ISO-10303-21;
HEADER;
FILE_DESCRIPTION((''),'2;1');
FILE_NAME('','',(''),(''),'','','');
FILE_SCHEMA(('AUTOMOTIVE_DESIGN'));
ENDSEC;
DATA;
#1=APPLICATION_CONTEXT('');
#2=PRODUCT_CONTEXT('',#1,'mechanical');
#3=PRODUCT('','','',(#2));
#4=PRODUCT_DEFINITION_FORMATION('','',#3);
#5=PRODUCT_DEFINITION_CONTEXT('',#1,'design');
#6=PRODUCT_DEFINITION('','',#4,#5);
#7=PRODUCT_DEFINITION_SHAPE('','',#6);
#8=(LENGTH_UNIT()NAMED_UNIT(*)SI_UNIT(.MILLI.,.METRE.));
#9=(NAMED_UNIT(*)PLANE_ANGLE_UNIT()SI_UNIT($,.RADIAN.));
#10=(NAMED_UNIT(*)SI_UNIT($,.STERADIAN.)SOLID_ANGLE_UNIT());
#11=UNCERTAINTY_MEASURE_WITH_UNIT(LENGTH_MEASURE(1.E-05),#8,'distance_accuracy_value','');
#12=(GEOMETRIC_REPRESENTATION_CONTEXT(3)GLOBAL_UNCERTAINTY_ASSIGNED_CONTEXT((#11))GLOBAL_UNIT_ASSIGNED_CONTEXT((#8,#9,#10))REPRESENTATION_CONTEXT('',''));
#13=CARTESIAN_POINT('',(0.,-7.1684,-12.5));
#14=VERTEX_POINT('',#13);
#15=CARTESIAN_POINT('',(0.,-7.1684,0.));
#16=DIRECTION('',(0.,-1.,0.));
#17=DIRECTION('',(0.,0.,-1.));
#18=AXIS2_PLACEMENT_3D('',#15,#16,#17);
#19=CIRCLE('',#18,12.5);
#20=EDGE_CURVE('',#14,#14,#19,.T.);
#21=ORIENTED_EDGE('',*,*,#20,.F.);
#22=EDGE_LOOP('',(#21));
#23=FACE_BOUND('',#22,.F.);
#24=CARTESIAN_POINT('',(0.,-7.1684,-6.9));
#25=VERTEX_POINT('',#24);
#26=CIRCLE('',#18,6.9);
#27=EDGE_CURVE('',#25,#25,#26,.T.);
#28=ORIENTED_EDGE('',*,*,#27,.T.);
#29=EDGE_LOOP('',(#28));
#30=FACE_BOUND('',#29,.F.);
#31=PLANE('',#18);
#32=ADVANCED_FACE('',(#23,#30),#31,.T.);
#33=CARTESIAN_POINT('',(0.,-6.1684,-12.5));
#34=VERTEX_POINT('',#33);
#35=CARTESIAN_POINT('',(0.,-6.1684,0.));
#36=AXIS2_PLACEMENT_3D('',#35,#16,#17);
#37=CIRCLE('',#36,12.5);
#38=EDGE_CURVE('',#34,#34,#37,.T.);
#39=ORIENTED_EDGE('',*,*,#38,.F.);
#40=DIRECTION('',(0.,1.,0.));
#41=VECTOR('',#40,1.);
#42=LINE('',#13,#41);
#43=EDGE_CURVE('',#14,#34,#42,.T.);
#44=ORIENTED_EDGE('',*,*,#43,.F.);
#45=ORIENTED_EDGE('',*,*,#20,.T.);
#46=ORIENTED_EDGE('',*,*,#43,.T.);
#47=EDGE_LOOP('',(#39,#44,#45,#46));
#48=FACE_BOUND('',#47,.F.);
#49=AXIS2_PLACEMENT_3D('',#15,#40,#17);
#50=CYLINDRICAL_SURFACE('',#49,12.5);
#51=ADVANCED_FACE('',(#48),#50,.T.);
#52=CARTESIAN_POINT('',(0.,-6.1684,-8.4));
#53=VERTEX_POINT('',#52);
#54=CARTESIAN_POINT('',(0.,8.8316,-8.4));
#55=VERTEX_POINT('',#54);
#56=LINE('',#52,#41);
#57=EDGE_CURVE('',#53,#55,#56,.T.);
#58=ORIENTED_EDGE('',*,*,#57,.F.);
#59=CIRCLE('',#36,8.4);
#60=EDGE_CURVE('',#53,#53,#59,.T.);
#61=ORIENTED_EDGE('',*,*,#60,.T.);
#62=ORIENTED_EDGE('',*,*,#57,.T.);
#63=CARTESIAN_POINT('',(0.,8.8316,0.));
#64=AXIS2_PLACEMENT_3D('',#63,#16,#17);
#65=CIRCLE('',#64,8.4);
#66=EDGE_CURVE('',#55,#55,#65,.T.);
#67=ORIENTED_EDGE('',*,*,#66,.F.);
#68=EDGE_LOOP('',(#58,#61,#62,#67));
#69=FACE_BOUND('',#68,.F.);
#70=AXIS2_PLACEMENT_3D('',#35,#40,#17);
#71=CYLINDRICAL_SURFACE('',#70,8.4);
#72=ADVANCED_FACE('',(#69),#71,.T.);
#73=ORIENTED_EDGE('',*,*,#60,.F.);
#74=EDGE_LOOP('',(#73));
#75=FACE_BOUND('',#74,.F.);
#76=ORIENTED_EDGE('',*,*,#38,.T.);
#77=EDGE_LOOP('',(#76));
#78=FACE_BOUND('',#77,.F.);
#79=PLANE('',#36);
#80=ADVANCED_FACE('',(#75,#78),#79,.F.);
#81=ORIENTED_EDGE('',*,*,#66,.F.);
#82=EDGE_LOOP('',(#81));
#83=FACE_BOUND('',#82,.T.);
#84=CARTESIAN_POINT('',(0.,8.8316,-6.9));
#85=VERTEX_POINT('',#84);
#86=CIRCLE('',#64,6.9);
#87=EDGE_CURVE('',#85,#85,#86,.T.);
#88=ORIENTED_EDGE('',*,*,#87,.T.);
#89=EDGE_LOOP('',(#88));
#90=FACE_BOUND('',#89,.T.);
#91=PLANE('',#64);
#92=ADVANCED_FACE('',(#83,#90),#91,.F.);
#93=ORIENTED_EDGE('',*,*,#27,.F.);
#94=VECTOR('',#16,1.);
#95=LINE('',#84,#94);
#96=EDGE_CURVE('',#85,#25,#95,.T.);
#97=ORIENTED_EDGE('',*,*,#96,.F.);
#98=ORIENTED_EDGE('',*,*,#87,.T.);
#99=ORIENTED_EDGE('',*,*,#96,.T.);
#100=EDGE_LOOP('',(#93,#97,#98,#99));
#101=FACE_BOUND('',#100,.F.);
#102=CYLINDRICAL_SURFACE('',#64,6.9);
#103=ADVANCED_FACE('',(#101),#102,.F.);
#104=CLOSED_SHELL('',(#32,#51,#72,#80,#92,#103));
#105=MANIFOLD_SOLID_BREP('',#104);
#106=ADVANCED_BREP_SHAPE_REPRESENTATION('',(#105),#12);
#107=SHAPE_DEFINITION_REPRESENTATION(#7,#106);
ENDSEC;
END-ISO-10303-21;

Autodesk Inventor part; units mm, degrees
ref_plane "YZ Plane" through (0, 0, 0) normal (1, 0, 0) x (0, 1, 0)
ref_plane "XZ Plane" through (0, 0, 0) normal (0, 1, 0) x (-1, 0, 0)
ref_plane "XY Plane" through (0, 0, 0) normal (0, 0, 1) x (1, 0, 0)
sketch "Sketch1" plane through (0, 0, 0) normal (1, 0, 0) x (0, 1, 0)
  line L0 (7.8554, 0) -> (-4.9831, 0) construction
  line L1 (8.8316, -6.9) -> (-7.1684, -6.9)
  line L2 (-7.1684, -6.9) -> (-7.1684, -12.5)
  line L3 (-7.1684, -12.5) -> (-6.1684, -12.5)
  line L4 (-6.1684, -12.5) -> (-6.1684, -8.4)
  line L5 (-6.1684, -8.4) -> (8.8316, -8.4)
  line L6 (8.8316, -6.9) -> (8.8316, -8.4)
  point P0 (0, 0)
  dimension "d0" = 6.9
  dimension "d1" = 8.4
  dimension "d2" = 12.5
  dimension "d3" = 0
  dimension "d4" = 16
  dimension "d5" = 1
revolve "Revolution1" add sketch "Sketch1" angle 360 about axis through (0, 7.8554, 0) along (0, -1, 0)
properties part number "espaciador"
